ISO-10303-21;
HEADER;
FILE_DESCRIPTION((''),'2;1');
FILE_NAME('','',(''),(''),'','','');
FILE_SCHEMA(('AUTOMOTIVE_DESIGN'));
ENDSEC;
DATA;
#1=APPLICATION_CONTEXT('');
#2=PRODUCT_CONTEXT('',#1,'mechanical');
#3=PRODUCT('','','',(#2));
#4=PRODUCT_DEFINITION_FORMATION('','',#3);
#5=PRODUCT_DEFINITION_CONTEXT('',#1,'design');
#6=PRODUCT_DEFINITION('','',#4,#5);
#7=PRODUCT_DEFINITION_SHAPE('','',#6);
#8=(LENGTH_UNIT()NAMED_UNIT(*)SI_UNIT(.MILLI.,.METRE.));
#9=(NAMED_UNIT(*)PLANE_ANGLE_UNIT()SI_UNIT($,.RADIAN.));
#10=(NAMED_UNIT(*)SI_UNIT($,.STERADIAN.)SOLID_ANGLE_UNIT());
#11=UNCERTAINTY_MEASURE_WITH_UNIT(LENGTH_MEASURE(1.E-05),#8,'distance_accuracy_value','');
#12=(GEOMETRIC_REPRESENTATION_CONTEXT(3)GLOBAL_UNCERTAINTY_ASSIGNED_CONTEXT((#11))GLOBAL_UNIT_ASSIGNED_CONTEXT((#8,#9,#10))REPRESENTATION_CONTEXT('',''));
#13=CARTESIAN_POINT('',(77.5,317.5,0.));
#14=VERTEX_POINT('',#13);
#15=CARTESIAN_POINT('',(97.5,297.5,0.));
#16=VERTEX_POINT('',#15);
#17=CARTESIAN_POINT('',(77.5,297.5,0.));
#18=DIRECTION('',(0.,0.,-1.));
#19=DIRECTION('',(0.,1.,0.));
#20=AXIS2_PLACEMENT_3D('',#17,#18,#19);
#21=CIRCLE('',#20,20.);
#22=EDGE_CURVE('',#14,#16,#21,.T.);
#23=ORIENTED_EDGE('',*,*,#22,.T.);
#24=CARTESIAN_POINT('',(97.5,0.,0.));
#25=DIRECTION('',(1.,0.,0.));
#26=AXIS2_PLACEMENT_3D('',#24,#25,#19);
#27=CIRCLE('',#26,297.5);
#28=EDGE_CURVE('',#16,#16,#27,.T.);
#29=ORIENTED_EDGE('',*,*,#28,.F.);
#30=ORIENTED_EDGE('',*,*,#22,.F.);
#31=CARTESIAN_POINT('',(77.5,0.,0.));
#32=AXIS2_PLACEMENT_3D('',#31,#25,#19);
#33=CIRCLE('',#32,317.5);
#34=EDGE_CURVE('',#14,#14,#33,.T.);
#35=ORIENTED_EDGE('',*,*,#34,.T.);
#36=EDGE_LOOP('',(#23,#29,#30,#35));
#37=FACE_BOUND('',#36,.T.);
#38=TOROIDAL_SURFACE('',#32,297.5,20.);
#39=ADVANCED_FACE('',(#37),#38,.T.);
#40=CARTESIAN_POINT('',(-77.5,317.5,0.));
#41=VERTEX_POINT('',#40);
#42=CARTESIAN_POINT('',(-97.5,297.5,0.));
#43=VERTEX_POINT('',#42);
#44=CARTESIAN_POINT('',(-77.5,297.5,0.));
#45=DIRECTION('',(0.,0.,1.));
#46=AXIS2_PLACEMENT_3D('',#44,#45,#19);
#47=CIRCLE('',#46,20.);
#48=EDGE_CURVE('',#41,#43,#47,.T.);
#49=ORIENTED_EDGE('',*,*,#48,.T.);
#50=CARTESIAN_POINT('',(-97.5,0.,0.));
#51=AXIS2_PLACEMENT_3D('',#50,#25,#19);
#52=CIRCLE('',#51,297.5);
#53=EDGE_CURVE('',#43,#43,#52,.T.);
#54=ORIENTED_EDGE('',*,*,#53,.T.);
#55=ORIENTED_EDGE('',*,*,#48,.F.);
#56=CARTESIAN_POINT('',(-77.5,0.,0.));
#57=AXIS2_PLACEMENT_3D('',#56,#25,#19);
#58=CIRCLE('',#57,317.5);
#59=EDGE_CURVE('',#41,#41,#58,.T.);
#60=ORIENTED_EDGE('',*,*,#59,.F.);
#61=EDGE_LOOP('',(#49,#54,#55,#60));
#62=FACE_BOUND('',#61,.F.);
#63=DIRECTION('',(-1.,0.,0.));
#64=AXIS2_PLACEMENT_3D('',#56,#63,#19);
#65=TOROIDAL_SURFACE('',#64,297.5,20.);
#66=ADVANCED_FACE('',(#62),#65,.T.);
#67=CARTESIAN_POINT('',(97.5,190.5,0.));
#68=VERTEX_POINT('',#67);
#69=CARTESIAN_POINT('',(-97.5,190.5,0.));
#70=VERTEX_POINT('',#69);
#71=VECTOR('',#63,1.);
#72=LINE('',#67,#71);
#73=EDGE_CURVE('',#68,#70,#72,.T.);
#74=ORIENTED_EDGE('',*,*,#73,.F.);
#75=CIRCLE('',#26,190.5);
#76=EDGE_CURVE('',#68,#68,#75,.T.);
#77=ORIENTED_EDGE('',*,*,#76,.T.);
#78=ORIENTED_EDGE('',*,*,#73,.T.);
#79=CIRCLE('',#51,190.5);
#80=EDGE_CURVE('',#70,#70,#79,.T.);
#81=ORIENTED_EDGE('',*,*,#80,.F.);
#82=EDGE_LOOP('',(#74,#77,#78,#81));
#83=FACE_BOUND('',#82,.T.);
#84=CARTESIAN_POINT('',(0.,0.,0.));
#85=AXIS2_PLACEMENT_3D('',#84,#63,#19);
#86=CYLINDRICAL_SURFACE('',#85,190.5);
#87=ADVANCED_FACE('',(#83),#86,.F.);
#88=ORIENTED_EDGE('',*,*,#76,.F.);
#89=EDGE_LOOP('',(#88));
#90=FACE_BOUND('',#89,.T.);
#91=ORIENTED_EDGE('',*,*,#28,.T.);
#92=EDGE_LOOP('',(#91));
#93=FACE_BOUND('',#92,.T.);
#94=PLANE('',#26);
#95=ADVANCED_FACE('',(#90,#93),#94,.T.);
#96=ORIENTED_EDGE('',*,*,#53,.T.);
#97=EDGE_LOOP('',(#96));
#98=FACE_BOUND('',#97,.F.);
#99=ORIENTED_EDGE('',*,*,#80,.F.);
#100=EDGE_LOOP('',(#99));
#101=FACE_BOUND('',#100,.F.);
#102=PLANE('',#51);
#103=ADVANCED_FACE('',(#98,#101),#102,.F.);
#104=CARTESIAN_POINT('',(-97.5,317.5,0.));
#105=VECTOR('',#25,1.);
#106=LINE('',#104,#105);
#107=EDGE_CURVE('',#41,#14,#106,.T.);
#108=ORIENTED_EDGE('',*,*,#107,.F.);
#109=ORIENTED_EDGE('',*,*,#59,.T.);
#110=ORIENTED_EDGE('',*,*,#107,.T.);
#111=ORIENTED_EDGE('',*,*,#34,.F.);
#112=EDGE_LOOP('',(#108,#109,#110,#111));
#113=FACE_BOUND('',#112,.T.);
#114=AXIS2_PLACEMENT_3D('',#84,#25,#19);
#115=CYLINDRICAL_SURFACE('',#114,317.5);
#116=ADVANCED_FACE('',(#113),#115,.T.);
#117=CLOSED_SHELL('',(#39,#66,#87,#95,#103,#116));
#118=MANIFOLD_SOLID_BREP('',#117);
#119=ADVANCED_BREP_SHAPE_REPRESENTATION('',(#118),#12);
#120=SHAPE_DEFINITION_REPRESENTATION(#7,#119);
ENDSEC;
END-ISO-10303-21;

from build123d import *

# Parameters (mm, degrees)
F0_R     = 317.5
F0_R_2   = 190.5
F1_DEPTH = 97.5
F2_R     = 20


with BuildPart() as f1:
    # F0 (on Right) → F1 (new body, symmetric)
    with BuildSketch(Plane.YZ):
        Circle(F0_R)
        Circle(F0_R_2, mode=Mode.SUBTRACT)
    extrude(amount=F1_DEPTH, both=True)

    # F2
    f2_edges = [f1.edges().sort_by_distance(p)[0] for p in [
        (97.5, -317.5, 0),
        (-97.5, -317.5, 0),
    ]]
    fillet(f2_edges, radius=F2_R)


solid = f1.part
